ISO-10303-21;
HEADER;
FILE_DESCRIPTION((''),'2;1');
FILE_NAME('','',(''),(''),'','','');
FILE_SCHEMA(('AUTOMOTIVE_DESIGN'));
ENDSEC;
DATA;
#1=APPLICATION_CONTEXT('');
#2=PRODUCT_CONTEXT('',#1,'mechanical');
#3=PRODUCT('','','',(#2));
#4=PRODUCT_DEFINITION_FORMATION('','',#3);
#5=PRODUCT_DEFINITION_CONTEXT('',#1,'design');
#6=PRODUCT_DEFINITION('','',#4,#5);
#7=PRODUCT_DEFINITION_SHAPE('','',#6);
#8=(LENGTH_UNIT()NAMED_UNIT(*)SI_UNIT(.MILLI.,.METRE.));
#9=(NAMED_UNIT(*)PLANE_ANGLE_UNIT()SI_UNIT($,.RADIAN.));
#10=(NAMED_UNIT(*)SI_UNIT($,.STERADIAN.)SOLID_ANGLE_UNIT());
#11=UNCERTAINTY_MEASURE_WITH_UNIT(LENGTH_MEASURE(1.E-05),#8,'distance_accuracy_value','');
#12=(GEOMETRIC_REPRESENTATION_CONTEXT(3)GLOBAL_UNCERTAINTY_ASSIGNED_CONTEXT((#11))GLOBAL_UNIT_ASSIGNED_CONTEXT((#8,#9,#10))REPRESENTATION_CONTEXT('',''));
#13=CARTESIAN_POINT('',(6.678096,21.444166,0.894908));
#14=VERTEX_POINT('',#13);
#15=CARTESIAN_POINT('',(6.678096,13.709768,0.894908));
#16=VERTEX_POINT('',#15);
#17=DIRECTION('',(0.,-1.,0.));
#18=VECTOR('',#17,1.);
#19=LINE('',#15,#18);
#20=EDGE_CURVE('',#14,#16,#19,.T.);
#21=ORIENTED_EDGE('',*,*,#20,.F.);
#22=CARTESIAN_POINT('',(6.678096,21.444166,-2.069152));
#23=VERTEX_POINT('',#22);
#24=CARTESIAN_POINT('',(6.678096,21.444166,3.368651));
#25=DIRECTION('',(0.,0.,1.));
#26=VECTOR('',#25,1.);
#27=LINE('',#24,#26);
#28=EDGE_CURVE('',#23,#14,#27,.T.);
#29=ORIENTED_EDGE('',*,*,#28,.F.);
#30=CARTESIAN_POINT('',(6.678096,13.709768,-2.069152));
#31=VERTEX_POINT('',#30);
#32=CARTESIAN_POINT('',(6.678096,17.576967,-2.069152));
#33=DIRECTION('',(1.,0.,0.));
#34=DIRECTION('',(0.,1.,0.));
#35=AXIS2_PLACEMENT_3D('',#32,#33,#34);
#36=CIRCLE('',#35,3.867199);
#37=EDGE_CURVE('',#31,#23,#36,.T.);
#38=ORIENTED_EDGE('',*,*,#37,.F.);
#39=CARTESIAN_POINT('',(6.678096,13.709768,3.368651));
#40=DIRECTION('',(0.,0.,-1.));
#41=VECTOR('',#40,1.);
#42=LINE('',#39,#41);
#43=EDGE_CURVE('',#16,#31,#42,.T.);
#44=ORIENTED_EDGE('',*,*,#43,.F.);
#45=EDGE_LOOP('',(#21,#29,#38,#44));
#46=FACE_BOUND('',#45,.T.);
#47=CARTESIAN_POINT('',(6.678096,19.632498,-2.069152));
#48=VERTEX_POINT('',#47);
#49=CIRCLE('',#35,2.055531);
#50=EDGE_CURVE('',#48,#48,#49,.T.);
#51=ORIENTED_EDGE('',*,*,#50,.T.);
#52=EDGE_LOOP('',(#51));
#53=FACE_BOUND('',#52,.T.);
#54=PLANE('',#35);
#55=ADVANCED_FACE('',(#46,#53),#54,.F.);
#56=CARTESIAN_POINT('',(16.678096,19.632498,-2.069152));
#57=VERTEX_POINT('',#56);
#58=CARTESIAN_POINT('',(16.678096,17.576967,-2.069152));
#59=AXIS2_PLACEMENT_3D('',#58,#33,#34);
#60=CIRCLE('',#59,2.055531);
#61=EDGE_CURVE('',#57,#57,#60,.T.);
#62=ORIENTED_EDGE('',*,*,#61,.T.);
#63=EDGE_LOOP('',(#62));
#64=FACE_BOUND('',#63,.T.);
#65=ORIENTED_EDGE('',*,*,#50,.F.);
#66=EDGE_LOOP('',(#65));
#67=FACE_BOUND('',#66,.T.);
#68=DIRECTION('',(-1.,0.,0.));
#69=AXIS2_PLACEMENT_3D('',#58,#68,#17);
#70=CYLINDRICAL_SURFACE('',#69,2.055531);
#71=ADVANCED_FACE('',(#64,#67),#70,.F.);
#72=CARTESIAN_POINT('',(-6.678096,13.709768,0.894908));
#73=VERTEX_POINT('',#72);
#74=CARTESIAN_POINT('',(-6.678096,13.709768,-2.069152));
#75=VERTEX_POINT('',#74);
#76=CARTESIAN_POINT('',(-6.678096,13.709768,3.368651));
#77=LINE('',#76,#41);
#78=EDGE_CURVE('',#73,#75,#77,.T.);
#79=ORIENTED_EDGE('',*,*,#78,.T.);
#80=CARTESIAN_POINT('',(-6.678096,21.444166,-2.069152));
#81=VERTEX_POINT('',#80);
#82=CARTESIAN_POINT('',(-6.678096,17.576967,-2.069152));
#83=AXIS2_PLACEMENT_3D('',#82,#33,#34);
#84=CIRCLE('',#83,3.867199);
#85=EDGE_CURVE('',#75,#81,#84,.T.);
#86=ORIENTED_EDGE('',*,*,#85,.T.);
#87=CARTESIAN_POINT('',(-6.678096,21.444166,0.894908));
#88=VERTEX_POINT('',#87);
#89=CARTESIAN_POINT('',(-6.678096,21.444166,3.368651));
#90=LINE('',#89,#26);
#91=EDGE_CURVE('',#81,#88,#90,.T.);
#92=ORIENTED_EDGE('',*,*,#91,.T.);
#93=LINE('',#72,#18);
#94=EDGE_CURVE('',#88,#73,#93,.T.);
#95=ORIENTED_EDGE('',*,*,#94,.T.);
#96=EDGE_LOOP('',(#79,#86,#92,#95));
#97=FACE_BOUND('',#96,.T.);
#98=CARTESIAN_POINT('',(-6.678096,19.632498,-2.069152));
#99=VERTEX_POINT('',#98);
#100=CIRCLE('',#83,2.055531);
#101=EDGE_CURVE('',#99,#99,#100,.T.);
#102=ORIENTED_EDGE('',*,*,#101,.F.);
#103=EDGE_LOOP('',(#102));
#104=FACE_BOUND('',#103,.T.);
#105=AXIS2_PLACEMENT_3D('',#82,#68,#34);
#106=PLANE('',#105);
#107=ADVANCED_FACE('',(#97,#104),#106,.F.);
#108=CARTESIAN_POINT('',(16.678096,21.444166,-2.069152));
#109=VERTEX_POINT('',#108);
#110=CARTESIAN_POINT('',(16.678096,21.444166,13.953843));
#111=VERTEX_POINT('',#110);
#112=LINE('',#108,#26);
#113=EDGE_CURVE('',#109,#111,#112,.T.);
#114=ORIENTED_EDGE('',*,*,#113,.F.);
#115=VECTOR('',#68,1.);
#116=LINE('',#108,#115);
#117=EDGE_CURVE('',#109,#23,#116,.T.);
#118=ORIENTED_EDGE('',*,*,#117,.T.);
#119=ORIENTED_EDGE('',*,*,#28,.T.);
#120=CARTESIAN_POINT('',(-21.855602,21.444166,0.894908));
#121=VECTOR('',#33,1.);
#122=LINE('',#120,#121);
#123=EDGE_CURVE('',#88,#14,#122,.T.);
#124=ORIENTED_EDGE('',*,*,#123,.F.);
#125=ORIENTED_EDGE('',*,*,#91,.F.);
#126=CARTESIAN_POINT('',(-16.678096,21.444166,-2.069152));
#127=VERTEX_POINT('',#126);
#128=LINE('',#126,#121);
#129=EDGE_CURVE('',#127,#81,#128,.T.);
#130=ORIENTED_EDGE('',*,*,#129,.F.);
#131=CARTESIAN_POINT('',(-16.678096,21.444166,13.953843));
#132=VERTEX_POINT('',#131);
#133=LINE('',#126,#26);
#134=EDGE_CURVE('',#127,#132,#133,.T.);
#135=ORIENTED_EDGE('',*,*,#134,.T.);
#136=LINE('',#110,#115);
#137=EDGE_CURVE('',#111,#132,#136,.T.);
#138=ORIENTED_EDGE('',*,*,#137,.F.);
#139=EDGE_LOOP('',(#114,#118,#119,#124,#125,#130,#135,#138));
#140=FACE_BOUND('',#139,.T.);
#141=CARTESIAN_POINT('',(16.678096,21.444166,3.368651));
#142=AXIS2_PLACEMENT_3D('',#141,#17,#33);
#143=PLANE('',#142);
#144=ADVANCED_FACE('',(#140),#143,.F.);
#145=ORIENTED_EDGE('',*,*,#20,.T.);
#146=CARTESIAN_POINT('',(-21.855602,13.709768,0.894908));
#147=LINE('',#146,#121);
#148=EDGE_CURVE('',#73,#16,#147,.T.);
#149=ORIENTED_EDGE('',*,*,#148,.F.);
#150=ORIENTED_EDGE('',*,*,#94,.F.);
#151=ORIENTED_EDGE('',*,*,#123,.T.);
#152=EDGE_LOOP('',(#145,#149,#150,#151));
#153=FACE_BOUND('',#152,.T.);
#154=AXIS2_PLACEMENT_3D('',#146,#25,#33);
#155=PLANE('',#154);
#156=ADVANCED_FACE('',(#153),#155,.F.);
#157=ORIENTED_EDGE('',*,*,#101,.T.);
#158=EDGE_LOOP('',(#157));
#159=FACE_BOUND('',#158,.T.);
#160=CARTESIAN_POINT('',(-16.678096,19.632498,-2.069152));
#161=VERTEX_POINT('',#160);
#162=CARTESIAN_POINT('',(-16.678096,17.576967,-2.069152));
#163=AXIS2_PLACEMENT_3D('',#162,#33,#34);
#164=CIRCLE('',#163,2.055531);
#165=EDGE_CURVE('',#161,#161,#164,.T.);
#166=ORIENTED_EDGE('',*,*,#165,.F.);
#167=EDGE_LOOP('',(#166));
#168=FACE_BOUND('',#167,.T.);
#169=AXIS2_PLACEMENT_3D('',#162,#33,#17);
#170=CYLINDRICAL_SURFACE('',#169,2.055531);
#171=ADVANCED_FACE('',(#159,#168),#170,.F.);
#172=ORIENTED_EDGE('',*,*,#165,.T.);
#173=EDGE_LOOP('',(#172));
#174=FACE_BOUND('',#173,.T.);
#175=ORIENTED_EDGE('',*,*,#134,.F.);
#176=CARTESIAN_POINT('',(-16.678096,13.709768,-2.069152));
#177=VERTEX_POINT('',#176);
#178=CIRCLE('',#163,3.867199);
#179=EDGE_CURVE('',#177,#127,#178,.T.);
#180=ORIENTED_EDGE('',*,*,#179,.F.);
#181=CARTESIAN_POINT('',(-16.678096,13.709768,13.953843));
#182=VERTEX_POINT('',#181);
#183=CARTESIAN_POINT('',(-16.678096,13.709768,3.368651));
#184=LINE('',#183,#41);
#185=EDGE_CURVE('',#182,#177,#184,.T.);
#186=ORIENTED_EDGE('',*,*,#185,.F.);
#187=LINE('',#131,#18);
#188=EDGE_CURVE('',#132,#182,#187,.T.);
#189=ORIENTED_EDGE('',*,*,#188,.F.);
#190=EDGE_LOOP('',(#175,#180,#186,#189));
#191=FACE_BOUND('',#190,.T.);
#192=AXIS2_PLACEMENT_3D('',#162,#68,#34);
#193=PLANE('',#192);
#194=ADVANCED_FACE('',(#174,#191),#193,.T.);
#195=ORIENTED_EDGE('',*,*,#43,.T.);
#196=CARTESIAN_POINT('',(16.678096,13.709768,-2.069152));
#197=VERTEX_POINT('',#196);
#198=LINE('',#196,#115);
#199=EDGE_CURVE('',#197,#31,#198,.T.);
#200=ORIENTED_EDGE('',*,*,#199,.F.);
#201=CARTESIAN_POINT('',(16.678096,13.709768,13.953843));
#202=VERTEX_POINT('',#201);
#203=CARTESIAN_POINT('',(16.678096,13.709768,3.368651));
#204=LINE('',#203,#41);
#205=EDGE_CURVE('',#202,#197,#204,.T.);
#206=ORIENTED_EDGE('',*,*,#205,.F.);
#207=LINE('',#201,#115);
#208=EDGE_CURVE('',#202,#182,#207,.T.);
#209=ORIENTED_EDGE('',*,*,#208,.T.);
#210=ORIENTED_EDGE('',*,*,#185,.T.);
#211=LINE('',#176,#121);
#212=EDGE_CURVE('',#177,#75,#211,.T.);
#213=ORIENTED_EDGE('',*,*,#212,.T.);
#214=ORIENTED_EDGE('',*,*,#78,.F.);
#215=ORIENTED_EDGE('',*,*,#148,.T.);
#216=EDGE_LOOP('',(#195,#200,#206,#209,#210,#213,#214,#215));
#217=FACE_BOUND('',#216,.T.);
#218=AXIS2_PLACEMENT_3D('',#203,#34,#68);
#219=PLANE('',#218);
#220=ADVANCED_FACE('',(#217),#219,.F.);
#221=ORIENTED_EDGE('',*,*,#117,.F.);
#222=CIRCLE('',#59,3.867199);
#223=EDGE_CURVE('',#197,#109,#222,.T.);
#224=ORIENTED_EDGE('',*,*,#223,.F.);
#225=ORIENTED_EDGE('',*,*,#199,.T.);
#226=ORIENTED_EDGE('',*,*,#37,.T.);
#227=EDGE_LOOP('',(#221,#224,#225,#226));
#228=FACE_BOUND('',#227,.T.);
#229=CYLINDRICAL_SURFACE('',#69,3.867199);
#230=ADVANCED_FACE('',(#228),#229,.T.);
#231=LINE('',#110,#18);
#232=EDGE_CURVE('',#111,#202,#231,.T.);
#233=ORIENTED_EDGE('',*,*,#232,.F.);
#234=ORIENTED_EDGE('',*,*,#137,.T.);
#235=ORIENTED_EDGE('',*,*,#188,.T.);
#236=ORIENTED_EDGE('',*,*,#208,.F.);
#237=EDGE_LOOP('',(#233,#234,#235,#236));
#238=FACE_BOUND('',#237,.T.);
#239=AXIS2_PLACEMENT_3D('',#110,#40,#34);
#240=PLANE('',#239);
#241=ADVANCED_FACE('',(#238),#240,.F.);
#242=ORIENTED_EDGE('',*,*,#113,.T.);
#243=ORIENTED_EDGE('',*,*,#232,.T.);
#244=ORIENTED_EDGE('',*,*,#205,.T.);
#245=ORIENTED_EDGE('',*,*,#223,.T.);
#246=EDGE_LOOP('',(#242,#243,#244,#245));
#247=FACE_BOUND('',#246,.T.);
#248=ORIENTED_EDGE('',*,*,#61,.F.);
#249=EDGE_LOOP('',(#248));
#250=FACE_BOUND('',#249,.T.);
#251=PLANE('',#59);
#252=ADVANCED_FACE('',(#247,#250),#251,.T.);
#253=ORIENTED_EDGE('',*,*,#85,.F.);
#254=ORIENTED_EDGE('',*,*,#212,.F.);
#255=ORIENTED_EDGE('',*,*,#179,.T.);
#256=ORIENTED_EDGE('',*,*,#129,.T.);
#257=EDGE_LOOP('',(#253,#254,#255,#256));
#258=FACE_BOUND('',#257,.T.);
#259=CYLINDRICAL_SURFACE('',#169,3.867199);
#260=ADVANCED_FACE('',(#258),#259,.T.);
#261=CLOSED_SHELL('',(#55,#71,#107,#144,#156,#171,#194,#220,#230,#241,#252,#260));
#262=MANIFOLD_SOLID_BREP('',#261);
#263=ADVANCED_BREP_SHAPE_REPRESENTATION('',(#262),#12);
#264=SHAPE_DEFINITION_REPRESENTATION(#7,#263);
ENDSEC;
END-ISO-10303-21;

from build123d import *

# Parameters (mm, degrees)
SKETCH2_R           = 2.055531292
BOSS_EXTRUDE1_DEPTH = 10
SKETCH3_W           = 13.058934706
SKETCH3_H           = 7.734398283
BOSS_EXTRUDE2_DEPTH = 13.356191657


with BuildPart() as part:
    # Sketch2 → Boss-Extrude1 (new body)
    with BuildSketch(Plane(origin=(6.678095828, 0, 0), x_dir=(0, 0, -1), z_dir=(1, 0, 0))):
        with BuildLine():
            Line((2.069151562, 21.444166214), (-3.368651258, 21.444166214))
            Line((-3.368651258, 21.444166214), (-13.95384316, 21.444166214))
            Line((-13.95384316, 21.444166214), (-13.95384316, 13.709767931))
            Line((-13.95384316, 13.709767931), (-3.368651258, 13.709767931))
            Line((-3.368651258, 13.709767931), (2.069151562, 13.709767931))
            ThreePointArc((2.069151562, 13.709767931), (5.936350704, 17.576967072), (2.069151562, 21.444166214))
        make_face()
        with Locations(Location((2.069151562, 17.576967072, 0), (0, 0, 90))):
            Circle(SKETCH2_R, mode=Mode.SUBTRACT)
    extrude(amount=BOSS_EXTRUDE1_DEPTH)


with BuildPart() as body_2:
    # Mirror2: mirrored copy
    add(part.part.mirror(Plane(origin=(0, 0, 0), x_dir=(0, 0, 1), z_dir=(1, 0, 0))))


with BuildPart() as part_1:
    add(part.part)

    add(body_2.part)  # Boss-Extrude2 merges body 2
    # Sketch3 → Boss-Extrude2 (add)
    with BuildSketch(Plane.ZY.offset(-6.678095828)):
        with Locations((7.424375807, 17.576967073)):
            Rectangle(SKETCH3_W, SKETCH3_H)
    extrude(amount=BOSS_EXTRUDE2_DEPTH)


solid = part_1.part
